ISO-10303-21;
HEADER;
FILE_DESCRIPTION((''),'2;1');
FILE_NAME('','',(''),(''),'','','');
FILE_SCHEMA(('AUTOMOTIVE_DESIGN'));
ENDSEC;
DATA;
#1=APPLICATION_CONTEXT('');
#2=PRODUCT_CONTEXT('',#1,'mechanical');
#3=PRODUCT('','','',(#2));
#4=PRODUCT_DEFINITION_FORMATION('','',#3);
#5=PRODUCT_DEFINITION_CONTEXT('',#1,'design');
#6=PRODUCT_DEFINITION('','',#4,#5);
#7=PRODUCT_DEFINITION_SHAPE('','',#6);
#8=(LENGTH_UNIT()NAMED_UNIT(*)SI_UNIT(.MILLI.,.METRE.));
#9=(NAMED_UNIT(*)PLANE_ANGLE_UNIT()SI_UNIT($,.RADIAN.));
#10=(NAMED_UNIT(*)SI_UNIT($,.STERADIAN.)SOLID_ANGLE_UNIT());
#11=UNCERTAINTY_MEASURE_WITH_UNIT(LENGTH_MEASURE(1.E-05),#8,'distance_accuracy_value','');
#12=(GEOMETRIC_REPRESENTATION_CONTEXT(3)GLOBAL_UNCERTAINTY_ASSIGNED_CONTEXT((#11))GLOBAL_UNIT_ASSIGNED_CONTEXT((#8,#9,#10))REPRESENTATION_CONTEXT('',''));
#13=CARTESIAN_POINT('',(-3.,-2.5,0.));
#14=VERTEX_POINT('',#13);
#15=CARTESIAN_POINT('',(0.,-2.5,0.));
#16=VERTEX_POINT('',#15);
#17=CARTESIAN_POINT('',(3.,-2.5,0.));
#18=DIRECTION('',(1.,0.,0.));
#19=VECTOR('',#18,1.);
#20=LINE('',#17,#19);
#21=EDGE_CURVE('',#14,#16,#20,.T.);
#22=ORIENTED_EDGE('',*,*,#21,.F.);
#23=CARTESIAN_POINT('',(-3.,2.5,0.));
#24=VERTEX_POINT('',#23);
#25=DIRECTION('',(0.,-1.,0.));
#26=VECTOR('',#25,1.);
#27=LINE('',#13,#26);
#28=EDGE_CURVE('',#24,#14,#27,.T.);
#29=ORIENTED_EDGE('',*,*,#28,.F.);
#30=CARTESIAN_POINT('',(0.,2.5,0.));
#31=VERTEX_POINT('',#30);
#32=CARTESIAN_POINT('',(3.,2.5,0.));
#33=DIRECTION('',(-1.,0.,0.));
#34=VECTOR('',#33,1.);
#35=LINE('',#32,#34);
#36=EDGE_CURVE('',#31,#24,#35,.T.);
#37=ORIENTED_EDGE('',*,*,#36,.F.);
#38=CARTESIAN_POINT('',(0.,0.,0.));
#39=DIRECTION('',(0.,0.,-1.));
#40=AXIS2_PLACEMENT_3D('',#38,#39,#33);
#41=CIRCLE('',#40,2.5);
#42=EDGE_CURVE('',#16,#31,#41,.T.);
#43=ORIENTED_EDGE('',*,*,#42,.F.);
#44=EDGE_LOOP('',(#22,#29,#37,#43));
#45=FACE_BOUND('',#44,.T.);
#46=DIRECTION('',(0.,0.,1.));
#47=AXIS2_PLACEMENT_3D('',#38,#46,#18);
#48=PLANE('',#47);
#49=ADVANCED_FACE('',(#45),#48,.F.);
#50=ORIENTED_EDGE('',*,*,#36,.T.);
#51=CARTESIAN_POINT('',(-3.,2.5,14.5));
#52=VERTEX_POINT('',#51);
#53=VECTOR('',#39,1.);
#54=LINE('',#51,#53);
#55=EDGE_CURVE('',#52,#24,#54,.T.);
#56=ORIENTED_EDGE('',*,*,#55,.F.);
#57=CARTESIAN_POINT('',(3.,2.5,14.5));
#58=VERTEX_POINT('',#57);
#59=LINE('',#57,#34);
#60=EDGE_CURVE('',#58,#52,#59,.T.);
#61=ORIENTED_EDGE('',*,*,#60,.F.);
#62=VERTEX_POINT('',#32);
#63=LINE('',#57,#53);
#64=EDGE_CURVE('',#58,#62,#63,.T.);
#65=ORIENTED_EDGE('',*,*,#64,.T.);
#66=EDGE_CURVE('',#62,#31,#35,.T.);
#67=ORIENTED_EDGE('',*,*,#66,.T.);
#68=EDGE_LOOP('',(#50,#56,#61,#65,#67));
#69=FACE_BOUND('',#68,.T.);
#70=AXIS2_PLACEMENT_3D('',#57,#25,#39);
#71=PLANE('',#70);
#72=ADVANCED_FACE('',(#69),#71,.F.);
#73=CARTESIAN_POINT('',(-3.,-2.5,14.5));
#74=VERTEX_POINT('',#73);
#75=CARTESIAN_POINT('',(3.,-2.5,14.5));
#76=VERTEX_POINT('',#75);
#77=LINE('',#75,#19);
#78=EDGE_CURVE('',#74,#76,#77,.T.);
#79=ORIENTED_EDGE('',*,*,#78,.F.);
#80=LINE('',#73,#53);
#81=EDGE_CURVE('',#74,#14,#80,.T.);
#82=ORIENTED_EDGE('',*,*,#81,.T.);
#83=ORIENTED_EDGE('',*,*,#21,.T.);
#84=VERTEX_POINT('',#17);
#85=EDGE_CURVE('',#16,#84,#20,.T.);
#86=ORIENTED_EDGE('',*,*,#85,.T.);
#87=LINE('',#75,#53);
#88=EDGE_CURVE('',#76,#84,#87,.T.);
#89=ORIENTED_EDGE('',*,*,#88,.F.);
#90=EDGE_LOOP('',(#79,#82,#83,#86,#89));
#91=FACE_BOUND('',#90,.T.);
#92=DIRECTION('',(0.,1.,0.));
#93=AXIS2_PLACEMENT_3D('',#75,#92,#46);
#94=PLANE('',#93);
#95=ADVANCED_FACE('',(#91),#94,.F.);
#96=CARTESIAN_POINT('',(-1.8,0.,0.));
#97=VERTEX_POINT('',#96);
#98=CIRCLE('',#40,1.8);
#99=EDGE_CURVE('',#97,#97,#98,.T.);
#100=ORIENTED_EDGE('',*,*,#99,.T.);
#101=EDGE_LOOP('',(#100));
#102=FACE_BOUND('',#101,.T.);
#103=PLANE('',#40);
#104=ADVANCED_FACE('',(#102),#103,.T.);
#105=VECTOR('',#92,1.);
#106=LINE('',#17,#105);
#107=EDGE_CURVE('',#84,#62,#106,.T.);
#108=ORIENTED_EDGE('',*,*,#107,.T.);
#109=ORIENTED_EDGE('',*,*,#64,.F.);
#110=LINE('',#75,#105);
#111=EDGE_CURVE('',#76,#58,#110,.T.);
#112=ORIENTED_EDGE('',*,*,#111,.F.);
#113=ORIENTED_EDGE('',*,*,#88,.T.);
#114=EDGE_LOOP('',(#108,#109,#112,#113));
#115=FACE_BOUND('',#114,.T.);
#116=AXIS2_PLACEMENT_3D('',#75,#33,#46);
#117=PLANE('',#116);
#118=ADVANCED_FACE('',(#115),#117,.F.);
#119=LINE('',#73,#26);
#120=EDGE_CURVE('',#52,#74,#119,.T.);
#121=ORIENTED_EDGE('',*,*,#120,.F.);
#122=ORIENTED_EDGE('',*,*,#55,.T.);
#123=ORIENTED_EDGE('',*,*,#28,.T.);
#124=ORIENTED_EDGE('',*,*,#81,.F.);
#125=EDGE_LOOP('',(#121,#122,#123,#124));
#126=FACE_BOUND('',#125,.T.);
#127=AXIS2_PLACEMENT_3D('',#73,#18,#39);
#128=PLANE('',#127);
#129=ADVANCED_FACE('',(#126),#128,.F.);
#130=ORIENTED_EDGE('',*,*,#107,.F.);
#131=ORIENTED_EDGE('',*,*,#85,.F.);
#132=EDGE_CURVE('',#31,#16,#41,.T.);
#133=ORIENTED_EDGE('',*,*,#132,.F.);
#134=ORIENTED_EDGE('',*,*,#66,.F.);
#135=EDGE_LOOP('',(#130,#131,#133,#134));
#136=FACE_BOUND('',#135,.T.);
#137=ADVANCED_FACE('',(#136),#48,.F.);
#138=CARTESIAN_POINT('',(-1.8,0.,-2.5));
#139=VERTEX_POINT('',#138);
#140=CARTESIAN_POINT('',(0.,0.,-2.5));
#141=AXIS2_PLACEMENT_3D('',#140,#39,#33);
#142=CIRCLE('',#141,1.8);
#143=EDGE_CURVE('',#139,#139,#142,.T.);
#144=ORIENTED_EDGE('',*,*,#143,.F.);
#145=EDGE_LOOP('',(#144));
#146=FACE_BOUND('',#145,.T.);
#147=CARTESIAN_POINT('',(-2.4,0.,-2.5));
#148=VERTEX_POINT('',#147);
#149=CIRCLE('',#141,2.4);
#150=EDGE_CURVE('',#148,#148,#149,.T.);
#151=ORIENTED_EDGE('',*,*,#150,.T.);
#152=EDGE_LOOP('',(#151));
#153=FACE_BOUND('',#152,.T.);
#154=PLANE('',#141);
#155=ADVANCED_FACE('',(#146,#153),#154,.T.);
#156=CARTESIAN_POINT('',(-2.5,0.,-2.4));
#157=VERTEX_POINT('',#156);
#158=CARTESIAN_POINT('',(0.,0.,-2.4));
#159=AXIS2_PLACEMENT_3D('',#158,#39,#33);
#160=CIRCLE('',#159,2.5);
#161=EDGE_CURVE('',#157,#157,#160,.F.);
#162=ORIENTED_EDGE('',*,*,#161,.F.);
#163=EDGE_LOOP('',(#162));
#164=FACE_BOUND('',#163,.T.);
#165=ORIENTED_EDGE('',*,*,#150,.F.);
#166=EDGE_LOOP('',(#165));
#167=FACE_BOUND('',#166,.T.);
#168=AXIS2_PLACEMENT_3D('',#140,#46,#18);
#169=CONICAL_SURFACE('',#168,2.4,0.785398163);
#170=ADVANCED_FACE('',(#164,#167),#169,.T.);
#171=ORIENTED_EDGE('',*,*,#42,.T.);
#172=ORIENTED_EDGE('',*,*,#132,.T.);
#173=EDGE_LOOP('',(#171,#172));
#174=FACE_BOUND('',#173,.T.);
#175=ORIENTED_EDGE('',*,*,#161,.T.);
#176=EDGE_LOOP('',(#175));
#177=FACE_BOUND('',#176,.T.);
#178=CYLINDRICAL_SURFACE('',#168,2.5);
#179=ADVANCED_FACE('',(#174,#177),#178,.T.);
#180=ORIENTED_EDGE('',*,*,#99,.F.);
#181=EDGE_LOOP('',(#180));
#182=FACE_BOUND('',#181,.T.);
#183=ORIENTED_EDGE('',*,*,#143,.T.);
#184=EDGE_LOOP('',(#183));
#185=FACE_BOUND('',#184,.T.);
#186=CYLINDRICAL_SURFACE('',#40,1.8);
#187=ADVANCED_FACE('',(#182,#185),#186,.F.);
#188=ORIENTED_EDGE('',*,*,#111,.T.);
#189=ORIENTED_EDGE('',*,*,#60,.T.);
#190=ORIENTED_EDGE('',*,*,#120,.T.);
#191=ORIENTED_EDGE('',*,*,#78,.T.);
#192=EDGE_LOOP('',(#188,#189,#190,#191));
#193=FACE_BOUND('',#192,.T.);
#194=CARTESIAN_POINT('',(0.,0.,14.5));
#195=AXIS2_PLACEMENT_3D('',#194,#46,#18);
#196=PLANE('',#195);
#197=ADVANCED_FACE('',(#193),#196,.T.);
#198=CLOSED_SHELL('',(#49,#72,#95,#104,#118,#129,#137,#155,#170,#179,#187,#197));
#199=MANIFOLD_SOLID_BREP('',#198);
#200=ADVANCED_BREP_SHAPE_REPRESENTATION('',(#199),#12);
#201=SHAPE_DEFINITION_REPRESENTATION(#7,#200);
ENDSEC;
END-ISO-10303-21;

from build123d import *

# Parameters (mm, degrees)
SKETCH1_W           = 6
SKETCH1_H           = 5
BOSS_EXTRUDE1_DEPTH = 14.5
SKETCH2_R           = 2.5
BOSS_EXTRUDE2_DEPTH = 2.5
SKETCH3_R           = 1.8
CUT_EXTRUDE1_DEPTH  = 2.5
CHAMFER1_SIZE       = 0.1


with BuildPart() as part:
    # Sketch1 → Boss-Extrude1 (new body)
    with BuildSketch(Plane.XY):
        Rectangle(SKETCH1_W, SKETCH1_H)
    extrude(amount=BOSS_EXTRUDE1_DEPTH)

    # Sketch2 → Boss-Extrude2 (add)
    with BuildSketch(Plane(origin=(0, 0, 0), x_dir=(-1, 0, 0), z_dir=(0, 0, -1))):
        with Locations(Location((0, 0, 0), (0, 0, 270))):
            Circle(SKETCH2_R)
    extrude(amount=BOSS_EXTRUDE2_DEPTH)

    # Sketch3 → Cut-Extrude1 (cut)
    with BuildSketch(Plane(origin=(0, 0, -2.5), x_dir=(-1, 0, 0), z_dir=(0, 0, -1))):
        Circle(SKETCH3_R)
    extrude(amount=-CUT_EXTRUDE1_DEPTH, mode=Mode.SUBTRACT)

    # Chamfer1
    chamfer1_edges = [part.edges().sort_by_distance(p)[0] for p in [
        (0, 2.5, -2.5),
    ]]
    chamfer(chamfer1_edges, length=CHAMFER1_SIZE)


solid = part.part
